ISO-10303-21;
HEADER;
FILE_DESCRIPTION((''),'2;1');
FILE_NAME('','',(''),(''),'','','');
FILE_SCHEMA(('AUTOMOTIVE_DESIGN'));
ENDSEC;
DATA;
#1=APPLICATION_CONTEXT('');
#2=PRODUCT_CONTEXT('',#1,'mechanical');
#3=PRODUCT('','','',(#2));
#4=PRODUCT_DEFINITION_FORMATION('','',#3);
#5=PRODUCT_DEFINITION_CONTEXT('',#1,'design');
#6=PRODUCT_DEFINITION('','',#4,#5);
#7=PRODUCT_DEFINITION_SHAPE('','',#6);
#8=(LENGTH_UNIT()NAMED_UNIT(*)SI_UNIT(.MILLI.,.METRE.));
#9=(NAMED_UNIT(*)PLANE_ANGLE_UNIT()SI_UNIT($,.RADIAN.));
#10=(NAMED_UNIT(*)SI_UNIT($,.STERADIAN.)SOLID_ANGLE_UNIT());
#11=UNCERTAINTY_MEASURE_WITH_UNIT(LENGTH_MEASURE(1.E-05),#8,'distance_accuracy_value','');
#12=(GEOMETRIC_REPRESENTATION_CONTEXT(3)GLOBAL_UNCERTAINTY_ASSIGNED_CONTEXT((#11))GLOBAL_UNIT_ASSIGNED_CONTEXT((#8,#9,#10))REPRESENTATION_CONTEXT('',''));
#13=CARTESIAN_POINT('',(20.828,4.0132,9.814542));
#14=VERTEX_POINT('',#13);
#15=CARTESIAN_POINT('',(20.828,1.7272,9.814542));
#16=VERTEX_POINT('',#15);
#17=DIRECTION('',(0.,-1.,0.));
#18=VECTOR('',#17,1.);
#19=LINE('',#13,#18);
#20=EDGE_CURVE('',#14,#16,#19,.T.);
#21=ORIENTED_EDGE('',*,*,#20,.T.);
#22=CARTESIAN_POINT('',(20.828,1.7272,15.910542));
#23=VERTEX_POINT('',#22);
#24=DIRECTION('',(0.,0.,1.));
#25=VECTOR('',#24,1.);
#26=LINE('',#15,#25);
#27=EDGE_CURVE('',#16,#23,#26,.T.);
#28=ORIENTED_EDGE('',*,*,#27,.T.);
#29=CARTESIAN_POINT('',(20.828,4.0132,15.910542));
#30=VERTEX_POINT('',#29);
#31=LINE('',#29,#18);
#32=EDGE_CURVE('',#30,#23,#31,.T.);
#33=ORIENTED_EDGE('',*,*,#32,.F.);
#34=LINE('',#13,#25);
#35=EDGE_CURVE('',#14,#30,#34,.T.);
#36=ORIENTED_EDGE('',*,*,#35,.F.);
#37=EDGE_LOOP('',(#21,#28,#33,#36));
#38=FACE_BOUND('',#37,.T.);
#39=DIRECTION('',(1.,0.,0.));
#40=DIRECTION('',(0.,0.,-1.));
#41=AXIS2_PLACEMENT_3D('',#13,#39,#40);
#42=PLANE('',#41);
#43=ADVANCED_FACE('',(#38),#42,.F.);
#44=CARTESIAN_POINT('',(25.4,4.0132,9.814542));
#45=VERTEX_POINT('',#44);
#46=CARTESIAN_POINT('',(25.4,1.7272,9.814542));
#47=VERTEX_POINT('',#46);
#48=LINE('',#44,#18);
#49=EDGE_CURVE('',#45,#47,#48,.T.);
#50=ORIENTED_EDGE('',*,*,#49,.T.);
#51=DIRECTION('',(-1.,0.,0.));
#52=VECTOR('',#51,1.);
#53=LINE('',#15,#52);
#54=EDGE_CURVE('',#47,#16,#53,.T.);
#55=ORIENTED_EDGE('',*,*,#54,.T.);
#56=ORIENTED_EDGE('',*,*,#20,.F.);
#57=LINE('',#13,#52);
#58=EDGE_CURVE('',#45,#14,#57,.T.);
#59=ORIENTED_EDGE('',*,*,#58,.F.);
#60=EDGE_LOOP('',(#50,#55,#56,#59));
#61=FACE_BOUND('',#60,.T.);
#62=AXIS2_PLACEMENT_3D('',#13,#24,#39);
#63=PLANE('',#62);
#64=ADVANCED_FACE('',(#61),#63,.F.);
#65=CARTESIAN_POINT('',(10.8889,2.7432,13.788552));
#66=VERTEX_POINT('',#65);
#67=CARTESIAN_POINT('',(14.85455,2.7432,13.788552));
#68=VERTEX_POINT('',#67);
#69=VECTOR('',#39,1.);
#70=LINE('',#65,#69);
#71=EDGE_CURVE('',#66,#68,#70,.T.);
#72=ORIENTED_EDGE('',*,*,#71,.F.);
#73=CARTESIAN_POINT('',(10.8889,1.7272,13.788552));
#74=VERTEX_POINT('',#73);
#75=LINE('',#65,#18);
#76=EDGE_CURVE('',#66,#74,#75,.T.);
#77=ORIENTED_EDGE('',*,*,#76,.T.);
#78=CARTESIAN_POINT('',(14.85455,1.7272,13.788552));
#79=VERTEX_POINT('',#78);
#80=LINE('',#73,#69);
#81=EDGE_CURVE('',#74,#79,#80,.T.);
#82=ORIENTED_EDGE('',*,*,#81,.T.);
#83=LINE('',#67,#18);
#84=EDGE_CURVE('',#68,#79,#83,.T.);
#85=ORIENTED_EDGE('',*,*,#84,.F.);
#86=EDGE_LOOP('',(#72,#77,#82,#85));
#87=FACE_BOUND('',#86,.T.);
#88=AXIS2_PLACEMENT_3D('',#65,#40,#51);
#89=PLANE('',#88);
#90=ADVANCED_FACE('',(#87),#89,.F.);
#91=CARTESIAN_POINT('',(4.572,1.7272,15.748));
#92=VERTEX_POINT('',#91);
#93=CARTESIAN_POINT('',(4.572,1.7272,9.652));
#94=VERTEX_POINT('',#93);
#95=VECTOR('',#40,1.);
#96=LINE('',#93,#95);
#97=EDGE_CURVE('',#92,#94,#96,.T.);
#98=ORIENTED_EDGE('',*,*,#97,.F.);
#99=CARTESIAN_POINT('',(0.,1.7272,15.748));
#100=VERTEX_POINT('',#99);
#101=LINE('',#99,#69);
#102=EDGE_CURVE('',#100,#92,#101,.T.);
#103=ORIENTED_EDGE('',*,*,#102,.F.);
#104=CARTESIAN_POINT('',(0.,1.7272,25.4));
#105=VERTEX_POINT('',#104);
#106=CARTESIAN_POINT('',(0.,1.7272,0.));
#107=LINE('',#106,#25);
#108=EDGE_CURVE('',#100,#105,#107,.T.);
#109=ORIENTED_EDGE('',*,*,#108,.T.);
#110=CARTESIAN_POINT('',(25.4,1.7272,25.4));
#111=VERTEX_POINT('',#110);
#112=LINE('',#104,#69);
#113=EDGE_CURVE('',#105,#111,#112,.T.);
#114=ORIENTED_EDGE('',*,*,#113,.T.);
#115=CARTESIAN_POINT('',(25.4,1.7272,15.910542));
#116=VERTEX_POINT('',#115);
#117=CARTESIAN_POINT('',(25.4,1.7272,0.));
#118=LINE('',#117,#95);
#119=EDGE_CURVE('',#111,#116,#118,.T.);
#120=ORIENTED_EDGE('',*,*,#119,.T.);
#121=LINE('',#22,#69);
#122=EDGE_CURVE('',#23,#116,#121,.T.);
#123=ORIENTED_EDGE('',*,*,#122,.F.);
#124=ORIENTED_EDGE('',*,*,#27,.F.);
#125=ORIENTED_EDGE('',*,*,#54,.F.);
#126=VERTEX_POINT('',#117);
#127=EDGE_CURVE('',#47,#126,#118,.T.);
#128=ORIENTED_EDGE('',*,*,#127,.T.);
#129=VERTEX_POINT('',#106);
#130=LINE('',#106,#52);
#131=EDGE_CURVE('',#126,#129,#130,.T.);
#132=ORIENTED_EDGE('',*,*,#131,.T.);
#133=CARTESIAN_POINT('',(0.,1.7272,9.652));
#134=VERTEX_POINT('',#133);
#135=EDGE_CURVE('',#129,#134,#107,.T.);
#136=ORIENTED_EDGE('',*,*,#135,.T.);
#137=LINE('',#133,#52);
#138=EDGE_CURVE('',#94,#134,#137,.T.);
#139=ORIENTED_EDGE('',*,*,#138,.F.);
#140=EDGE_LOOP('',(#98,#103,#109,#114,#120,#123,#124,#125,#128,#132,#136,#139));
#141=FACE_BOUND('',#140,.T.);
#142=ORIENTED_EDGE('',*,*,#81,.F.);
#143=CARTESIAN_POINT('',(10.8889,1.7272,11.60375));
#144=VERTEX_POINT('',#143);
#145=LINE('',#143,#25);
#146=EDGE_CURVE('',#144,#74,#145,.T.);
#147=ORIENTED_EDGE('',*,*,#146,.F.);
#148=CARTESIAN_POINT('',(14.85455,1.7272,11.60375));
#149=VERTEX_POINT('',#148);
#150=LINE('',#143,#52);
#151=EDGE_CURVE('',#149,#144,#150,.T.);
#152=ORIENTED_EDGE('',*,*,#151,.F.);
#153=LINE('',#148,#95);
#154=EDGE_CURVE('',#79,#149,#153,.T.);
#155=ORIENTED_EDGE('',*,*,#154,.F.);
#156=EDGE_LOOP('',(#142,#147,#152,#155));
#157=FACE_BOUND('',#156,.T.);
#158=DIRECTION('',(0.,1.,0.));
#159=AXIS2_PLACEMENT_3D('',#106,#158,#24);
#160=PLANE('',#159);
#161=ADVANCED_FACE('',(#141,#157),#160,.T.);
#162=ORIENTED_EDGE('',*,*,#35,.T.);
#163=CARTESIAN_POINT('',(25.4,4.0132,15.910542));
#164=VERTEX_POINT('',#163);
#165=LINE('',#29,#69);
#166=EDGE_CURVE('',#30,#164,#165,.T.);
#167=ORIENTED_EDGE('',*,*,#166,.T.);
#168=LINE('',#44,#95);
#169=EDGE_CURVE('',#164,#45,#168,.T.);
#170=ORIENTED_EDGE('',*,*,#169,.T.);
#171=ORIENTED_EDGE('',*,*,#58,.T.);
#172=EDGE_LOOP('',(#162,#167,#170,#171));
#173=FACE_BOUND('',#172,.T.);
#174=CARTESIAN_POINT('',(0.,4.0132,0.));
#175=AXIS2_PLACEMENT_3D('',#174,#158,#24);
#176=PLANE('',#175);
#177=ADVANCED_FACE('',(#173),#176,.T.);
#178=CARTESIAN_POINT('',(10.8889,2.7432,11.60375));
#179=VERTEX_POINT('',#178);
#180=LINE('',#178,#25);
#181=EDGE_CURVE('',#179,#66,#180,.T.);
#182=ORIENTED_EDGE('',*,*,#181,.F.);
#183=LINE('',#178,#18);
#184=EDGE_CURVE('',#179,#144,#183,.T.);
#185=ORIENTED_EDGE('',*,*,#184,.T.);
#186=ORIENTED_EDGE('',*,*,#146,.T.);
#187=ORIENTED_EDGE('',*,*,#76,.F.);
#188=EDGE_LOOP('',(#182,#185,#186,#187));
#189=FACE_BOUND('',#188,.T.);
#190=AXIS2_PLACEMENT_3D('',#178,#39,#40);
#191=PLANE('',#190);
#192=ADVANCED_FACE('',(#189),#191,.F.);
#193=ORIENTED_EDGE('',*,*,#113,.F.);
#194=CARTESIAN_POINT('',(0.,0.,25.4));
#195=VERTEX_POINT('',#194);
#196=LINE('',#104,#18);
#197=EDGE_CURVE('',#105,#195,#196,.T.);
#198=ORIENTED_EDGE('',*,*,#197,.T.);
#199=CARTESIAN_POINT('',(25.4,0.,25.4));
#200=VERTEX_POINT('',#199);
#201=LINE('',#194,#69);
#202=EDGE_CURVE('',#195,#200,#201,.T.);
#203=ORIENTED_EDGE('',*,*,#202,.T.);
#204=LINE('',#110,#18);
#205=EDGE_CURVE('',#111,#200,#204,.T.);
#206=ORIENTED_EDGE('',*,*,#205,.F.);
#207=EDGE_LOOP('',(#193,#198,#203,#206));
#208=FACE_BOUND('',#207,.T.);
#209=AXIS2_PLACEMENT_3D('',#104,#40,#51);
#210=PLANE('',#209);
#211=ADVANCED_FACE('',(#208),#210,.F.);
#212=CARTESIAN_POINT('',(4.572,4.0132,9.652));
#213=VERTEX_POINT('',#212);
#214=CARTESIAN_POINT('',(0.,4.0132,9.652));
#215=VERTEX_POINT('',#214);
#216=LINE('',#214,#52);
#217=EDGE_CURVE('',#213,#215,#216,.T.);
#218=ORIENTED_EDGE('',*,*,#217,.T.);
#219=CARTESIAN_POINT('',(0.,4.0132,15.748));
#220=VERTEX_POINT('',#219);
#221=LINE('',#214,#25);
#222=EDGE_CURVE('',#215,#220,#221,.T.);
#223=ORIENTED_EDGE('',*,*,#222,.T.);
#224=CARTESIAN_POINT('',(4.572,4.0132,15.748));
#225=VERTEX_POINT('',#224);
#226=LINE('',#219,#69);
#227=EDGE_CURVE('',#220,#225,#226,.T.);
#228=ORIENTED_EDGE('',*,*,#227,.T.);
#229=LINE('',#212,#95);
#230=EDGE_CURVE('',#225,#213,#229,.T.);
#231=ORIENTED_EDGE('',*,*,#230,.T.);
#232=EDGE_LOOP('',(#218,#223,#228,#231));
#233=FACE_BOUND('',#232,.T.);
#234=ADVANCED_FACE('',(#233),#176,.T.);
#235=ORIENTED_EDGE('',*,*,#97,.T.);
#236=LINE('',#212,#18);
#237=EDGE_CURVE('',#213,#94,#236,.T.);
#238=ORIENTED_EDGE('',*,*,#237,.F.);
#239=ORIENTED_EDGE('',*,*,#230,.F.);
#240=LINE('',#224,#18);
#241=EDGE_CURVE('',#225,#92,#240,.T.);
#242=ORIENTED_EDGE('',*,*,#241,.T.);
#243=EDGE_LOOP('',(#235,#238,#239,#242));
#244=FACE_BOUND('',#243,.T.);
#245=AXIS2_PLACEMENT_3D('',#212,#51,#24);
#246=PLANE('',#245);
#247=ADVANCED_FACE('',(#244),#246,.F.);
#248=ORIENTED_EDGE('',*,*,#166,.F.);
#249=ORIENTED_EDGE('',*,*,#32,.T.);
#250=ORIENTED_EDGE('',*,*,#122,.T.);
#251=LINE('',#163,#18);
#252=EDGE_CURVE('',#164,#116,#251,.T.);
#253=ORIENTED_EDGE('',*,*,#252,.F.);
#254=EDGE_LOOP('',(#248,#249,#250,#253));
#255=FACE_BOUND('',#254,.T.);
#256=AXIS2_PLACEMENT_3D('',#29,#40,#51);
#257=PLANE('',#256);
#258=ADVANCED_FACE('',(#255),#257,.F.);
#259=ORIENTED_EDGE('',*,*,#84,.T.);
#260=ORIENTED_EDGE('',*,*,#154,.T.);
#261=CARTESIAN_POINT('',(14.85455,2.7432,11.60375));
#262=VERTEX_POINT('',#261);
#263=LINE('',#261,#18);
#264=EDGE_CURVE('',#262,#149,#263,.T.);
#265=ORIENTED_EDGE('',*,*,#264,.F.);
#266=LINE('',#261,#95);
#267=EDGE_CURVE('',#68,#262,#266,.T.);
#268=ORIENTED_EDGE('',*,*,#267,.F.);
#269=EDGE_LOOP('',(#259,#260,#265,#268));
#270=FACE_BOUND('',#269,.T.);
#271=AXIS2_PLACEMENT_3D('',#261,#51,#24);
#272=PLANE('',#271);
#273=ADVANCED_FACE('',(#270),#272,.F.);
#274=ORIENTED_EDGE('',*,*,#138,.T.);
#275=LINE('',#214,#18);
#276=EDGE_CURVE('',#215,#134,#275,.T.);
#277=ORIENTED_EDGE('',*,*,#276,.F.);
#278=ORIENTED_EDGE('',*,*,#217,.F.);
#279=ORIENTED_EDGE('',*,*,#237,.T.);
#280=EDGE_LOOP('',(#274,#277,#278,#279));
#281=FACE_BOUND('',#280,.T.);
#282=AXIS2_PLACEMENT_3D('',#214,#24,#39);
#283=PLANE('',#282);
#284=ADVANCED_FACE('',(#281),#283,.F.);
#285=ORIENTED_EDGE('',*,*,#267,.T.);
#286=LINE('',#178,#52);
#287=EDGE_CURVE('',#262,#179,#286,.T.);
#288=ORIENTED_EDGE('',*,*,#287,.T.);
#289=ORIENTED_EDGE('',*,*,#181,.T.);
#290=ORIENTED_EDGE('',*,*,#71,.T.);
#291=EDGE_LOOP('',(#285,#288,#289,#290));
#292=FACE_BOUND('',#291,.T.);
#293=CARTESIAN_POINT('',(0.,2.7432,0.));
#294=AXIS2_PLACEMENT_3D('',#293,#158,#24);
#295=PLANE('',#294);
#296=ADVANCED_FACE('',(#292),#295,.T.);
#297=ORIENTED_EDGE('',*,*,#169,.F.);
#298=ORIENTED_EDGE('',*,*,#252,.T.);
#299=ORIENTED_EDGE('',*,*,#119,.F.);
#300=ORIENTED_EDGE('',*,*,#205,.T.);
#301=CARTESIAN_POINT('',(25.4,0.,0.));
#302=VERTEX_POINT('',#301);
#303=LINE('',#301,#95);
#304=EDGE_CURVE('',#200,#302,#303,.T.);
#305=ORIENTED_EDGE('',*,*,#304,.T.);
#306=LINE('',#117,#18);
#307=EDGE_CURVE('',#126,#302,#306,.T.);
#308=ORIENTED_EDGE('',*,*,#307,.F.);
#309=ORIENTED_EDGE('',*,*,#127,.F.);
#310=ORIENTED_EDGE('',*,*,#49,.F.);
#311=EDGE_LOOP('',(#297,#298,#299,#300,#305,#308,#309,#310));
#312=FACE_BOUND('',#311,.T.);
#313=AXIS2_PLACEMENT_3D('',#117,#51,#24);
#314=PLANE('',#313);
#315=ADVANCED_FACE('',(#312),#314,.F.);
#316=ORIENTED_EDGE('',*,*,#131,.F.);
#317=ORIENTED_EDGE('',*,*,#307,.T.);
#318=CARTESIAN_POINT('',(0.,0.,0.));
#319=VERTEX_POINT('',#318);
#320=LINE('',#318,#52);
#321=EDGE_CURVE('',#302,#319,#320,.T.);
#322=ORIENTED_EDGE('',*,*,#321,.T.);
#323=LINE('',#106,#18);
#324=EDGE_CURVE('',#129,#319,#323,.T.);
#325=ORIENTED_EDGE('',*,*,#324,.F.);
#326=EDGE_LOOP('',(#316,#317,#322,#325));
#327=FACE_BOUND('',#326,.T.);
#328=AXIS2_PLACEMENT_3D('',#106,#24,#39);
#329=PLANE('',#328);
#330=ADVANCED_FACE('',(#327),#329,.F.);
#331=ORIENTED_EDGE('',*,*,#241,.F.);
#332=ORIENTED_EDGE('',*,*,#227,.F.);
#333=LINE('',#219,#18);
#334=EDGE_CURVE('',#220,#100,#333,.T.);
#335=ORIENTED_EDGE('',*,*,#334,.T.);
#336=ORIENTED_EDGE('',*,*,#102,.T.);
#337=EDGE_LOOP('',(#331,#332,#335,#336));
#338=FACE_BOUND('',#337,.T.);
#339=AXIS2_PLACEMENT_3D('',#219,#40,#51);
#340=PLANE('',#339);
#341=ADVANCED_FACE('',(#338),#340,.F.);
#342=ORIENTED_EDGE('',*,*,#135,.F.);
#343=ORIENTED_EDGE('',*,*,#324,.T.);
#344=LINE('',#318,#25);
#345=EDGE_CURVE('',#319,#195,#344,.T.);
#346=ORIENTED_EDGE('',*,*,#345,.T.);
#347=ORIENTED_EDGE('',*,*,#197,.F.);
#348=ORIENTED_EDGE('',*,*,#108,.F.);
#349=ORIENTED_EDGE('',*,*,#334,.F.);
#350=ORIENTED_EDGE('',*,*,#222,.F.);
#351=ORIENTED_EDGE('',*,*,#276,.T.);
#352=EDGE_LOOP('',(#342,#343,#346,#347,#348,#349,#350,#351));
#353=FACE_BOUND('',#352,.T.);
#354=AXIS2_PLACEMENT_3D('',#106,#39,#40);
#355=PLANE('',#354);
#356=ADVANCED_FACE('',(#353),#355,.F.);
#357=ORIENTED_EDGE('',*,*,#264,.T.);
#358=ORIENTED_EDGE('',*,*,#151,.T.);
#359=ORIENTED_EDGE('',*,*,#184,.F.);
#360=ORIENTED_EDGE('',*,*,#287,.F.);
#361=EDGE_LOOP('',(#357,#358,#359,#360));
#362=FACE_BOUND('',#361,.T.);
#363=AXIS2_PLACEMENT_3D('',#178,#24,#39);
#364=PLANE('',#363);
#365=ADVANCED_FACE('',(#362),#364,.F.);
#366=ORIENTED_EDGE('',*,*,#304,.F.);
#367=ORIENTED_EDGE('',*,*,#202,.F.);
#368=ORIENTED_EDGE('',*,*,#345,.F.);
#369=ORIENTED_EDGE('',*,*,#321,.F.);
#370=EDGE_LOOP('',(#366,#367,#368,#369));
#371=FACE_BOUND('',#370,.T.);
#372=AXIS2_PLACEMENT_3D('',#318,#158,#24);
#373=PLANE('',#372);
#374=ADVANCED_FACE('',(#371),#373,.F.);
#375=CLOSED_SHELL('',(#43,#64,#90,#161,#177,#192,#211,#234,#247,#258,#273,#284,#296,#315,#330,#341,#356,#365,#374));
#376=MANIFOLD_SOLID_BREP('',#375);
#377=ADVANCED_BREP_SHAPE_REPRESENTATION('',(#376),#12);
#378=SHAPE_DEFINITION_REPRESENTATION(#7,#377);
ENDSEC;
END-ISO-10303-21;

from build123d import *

# Parameters (mm, degrees)
SKETCH1_W           = 25.4
SKETCH1_H           = 25.4
BOSS_EXTRUDE1_DEPTH = 1.7272
SKETCH2_W           = 4.572
SKETCH2_H           = 6.096
BOSS_EXTRUDE2_DEPTH = 2.286
SKETCH3_W           = 3.965650052
SKETCH3_H           = 2.184801971
BOSS_EXTRUDE3_DEPTH = 1.016


with BuildPart() as part:
    # Sketch1 → Boss-Extrude1 (new body)
    with BuildSketch(Plane(origin=(0, 0, 0), x_dir=(1, 0, 0), z_dir=(0, 1, 0))):
        with Locations((12.7, -12.7)):
            Rectangle(SKETCH1_W, SKETCH1_H)
    extrude(amount=BOSS_EXTRUDE1_DEPTH)

    # Sketch2 → Boss-Extrude2 (add)
    with BuildSketch(Plane(origin=(0, 1.7272, 0), x_dir=(1, 0, 0), z_dir=(0, 1, 0))):
        with Locations((2.286, -12.7)):
            Rectangle(SKETCH2_W, SKETCH2_H)
        with Locations((23.114, -12.862541555)):
            Rectangle(SKETCH2_W, SKETCH2_H)
    extrude(amount=BOSS_EXTRUDE2_DEPTH)

    # Sketch3 → Boss-Extrude3 (add)
    with BuildSketch(Plane(origin=(0, 1.7272, 0), x_dir=(1, 0, 0), z_dir=(0, 1, 0))):
        with Locations((12.871725194, -12.696151293)):
            Rectangle(SKETCH3_W, SKETCH3_H)
    extrude(amount=BOSS_EXTRUDE3_DEPTH)


solid = part.part
